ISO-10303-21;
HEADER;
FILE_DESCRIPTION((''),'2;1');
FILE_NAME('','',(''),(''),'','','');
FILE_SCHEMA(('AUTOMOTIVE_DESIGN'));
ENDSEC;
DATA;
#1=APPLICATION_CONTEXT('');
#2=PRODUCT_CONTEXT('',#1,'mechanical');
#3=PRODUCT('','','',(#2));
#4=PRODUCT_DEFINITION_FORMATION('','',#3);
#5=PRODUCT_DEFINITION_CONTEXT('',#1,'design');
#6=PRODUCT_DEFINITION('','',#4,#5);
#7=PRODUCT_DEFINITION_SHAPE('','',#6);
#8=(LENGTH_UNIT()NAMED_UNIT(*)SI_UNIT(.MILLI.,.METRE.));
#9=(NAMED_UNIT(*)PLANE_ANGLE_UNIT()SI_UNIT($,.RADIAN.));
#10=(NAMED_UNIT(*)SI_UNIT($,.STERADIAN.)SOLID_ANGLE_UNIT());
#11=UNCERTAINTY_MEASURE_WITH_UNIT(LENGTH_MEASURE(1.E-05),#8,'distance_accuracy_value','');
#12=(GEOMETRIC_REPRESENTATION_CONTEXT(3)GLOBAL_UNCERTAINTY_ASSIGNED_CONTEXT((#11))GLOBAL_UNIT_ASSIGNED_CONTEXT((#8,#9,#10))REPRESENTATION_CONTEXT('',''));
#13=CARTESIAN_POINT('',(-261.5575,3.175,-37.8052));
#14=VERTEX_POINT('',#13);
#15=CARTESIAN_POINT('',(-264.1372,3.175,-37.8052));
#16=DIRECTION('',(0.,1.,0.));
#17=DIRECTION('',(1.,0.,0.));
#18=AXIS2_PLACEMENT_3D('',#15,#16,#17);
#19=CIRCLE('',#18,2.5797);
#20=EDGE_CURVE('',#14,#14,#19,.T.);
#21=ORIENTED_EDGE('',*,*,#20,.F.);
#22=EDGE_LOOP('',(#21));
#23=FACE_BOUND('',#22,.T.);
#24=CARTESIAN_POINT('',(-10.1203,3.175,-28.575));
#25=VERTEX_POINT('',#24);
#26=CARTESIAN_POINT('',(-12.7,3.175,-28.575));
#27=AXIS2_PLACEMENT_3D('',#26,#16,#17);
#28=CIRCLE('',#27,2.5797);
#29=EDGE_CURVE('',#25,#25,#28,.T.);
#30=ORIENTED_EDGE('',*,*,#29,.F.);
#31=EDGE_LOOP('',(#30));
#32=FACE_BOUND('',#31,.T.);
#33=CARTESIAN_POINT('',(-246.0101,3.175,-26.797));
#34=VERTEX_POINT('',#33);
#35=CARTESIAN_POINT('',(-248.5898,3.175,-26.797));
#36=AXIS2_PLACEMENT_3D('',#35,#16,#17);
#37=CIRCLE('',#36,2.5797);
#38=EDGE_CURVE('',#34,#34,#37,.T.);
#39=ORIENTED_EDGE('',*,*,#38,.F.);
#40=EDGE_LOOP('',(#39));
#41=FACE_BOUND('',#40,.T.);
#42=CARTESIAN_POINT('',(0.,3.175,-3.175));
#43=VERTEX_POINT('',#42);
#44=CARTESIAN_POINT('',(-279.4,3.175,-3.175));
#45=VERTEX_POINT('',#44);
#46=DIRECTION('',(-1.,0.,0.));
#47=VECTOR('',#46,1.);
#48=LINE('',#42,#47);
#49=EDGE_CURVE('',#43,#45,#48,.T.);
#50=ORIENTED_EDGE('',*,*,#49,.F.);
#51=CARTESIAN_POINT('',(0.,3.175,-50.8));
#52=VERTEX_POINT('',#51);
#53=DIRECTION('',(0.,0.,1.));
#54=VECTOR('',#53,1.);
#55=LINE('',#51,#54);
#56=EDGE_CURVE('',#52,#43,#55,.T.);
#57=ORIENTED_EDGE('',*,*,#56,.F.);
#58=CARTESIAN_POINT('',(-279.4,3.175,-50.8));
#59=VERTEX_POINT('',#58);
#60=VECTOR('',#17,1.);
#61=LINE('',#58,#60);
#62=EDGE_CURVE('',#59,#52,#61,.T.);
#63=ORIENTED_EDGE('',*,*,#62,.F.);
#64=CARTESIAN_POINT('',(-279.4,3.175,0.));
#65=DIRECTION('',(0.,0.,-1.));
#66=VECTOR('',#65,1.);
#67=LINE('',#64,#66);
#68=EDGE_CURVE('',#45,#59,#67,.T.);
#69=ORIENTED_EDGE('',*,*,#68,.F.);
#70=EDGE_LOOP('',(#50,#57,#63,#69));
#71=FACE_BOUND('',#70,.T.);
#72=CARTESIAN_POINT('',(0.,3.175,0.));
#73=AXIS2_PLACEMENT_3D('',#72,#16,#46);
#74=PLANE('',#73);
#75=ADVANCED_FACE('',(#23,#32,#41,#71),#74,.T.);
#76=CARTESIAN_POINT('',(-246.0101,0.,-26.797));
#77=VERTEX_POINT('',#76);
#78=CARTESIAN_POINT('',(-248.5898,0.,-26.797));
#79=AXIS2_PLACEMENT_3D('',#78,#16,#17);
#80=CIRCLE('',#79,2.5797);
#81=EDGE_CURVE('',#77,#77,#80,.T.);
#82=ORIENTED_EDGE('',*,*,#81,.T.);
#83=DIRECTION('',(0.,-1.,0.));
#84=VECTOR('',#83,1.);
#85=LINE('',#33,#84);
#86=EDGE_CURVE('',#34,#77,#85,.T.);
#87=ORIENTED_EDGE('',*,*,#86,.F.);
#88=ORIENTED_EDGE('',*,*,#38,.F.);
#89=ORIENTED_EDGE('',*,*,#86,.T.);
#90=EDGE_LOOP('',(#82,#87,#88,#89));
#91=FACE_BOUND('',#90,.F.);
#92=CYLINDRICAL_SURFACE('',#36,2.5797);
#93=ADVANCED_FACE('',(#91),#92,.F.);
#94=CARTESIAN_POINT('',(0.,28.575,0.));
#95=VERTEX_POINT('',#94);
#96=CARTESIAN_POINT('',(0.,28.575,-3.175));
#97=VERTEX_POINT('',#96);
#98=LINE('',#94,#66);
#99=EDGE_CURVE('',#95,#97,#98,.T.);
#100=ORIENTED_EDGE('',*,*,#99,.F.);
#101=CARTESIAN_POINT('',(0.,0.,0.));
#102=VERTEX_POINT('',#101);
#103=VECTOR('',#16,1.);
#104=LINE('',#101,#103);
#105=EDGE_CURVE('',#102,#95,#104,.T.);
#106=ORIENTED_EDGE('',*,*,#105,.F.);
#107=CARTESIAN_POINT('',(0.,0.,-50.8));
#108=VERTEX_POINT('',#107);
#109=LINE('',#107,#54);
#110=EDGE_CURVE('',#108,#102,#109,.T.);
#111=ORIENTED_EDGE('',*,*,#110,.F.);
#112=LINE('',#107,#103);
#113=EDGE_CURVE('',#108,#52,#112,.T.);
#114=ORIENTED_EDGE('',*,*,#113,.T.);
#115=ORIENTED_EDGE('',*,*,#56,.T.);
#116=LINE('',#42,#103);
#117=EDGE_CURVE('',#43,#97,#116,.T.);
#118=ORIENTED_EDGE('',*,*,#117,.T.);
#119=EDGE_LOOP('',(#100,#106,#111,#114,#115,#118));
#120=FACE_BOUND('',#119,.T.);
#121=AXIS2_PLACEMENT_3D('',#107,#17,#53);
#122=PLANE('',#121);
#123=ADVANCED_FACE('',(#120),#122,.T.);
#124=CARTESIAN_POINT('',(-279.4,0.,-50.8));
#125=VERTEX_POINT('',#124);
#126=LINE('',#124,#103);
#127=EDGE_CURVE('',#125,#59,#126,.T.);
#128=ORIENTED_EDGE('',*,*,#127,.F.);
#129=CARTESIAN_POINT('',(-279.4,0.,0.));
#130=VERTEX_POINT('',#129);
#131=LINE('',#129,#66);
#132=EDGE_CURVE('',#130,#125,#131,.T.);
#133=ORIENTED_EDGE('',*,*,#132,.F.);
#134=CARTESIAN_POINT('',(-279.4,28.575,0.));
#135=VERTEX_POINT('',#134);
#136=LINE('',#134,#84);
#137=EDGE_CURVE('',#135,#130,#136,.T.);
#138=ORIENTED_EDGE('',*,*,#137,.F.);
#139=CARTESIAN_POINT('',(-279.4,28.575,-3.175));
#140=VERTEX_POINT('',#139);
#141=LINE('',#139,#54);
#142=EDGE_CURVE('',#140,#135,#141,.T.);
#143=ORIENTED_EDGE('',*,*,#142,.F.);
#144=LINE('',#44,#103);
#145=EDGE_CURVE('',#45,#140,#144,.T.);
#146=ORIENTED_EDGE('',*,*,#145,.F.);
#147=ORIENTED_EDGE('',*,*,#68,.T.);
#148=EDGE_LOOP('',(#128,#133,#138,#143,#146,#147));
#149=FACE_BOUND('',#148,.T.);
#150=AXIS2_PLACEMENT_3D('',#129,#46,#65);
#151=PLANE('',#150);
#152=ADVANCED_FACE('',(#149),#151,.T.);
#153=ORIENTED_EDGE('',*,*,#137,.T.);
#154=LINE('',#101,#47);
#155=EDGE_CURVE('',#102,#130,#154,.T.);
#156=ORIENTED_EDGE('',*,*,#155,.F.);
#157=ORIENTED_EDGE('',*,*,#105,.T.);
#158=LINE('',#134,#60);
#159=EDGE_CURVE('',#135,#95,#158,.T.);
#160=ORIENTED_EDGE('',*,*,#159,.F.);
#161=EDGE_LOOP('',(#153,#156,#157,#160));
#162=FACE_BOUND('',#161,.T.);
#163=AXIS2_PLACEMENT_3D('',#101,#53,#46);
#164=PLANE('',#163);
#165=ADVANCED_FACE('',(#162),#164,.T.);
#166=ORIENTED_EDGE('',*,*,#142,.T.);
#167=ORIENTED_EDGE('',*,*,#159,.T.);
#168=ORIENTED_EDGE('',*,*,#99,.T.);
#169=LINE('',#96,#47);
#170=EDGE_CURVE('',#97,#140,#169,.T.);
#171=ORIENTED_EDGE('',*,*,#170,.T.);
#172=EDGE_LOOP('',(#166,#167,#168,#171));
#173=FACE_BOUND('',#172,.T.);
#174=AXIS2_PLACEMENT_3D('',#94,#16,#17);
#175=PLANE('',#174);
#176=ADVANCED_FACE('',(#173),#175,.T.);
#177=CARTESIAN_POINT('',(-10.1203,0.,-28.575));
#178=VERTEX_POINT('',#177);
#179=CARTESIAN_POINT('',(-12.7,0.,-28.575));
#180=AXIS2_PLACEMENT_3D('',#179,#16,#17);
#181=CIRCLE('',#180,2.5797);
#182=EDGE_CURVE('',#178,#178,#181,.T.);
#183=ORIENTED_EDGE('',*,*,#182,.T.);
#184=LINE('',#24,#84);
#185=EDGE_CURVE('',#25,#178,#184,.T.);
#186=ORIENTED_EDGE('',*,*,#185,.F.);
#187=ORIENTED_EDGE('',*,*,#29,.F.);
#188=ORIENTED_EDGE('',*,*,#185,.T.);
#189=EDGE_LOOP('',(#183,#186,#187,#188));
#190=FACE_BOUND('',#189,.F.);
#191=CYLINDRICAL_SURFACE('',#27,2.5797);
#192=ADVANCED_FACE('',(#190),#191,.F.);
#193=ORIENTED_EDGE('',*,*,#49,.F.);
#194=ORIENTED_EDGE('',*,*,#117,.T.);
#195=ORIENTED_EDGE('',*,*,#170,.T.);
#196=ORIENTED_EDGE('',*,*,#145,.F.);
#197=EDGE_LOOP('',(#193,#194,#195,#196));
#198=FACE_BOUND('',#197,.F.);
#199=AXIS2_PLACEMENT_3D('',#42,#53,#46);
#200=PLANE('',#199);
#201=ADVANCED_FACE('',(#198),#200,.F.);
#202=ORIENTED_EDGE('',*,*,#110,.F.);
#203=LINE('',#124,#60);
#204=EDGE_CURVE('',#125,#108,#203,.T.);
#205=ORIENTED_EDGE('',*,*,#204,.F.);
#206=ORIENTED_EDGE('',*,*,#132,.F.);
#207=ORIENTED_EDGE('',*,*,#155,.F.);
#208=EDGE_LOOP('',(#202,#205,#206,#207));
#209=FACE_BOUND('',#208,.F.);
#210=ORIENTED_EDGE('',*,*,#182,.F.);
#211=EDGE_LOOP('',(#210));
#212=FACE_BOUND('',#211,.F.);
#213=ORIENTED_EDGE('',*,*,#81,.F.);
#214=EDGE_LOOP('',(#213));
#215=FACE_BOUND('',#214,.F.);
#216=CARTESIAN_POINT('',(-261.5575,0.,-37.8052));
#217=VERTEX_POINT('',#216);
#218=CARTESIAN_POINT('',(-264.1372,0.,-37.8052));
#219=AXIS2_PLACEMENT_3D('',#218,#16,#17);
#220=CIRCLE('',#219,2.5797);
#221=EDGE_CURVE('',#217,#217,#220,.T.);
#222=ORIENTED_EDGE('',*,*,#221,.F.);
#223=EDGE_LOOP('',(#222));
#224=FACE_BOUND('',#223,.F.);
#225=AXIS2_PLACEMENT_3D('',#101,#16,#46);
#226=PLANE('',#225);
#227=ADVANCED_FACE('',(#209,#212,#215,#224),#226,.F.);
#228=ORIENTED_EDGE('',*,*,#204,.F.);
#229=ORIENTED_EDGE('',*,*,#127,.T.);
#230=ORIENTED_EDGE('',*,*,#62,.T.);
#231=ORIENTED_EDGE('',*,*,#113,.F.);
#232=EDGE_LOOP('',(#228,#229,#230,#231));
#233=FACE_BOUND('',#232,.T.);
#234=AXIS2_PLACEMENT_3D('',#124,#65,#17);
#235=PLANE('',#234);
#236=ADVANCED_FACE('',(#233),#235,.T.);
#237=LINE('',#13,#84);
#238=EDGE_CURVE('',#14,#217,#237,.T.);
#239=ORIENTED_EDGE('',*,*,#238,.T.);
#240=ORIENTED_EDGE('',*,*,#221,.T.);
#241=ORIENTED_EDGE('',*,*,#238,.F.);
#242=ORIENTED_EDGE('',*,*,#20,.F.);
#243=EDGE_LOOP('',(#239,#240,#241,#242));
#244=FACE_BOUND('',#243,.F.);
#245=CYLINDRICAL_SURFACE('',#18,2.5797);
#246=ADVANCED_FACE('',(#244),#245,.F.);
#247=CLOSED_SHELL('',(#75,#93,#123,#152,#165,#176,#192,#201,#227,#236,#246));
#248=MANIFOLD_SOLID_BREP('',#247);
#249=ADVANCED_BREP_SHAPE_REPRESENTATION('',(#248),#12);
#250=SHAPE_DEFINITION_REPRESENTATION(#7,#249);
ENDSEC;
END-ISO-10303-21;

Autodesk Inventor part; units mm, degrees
ref_plane "YZ Plane" through (0, 0, 0) normal (1, 0, 0) x (0, 1, 0)
ref_plane "XZ Plane" through (0, 0, 0) normal (0, 1, 0) x (-1, 0, 0)
ref_plane "XY Plane" through (0, 0, 0) normal (0, 0, 1) x (1, 0, 0)
sketch "Sketch1" plane through (0, 0, 0) normal (0, 1, 0) x (-1, 0, 0)
  line L0 (0, 0) -> (279.4, 0)
  line L1 (279.4, 0) -> (279.4, -50.8)
  line L2 (279.4, -50.8) -> (0, -50.8)
  line L3 (0, -50.8) -> (0, 0)
  dimension "d0" = 279.4
  dimension "d1" = 50.8
extrude "Extrusion1" add sketch "Sketch1" along normal blind 3.175
sketch "Sketch2" plane through (0, 3.175, 0) normal (0, 1, 0) x (1, 0, 0)
  line L0 (-279.4, 0) -> (0, 0) projected
  line L1 (-279.4, 0) -> (0, 0)
  line L2 (0, 0) -> (0, 3.175)
  line L3 (0, 3.175) -> (-279.4, 3.175)
  line L4 (-279.4, 3.175) -> (-279.4, 0)
  dimension "d4" = 279.4
  dimension "d5" = 3.175
extrude "Extrusion2" add sketch "Sketch2" along normal blind 25.4
sketch "Sketch3" plane through (0, 3.175, 0) normal (0, 1, 0) x (1, 0, 0)
  line L0 (0, 3.175) -> (0, 50.8) construction
  line L1 (0, 50.8) -> (-279.4, 50.8) construction
  line L2 (-139.7, 50.8) -> (-139.7, 9.398) construction
  line L3 (-279.4, 50.8) -> (-248.5898, 50.8) construction
  line L4 (-248.5898, 50.8) -> (-248.5898, 26.797) construction
  circle A0 centre (-248.5898, 26.797) radius 2.5797
  line L5 (-248.5898, 26.797) -> (-264.1372, 37.8052) construction
  circle A1 centre (-264.1372, 37.8052) radius 2.5797
  point P0 (0, 0)
extrude "Extrusion3" cut sketch "Sketch3" against normal blind 25.4
sketch "Sketch4" plane through (0, 3.175, 0) normal (0, 1, 0) x (1, 0, 0)
  line L0 (0, 3.175) -> (0, 50.8) construction
  line L1 (0, 50.8) -> (-279.4, 50.8) construction
  line L2 (0, 23.1034) -> (-12.7, 23.1034) construction
  line L3 (-12.7, 50.8) -> (-12.7, 28.575) construction
  circle A0 centre (-12.7, 28.575) radius 2.5797
  point P0 (0, 0)
  dimension "d26" = 12.7
  dimension "d27" = 22.225
  dimension "d28" = 5.1594
extrude "Extrusion4" cut sketch "Sketch4" against normal blind 25.4
properties part number "angle iron with  holes 2"
